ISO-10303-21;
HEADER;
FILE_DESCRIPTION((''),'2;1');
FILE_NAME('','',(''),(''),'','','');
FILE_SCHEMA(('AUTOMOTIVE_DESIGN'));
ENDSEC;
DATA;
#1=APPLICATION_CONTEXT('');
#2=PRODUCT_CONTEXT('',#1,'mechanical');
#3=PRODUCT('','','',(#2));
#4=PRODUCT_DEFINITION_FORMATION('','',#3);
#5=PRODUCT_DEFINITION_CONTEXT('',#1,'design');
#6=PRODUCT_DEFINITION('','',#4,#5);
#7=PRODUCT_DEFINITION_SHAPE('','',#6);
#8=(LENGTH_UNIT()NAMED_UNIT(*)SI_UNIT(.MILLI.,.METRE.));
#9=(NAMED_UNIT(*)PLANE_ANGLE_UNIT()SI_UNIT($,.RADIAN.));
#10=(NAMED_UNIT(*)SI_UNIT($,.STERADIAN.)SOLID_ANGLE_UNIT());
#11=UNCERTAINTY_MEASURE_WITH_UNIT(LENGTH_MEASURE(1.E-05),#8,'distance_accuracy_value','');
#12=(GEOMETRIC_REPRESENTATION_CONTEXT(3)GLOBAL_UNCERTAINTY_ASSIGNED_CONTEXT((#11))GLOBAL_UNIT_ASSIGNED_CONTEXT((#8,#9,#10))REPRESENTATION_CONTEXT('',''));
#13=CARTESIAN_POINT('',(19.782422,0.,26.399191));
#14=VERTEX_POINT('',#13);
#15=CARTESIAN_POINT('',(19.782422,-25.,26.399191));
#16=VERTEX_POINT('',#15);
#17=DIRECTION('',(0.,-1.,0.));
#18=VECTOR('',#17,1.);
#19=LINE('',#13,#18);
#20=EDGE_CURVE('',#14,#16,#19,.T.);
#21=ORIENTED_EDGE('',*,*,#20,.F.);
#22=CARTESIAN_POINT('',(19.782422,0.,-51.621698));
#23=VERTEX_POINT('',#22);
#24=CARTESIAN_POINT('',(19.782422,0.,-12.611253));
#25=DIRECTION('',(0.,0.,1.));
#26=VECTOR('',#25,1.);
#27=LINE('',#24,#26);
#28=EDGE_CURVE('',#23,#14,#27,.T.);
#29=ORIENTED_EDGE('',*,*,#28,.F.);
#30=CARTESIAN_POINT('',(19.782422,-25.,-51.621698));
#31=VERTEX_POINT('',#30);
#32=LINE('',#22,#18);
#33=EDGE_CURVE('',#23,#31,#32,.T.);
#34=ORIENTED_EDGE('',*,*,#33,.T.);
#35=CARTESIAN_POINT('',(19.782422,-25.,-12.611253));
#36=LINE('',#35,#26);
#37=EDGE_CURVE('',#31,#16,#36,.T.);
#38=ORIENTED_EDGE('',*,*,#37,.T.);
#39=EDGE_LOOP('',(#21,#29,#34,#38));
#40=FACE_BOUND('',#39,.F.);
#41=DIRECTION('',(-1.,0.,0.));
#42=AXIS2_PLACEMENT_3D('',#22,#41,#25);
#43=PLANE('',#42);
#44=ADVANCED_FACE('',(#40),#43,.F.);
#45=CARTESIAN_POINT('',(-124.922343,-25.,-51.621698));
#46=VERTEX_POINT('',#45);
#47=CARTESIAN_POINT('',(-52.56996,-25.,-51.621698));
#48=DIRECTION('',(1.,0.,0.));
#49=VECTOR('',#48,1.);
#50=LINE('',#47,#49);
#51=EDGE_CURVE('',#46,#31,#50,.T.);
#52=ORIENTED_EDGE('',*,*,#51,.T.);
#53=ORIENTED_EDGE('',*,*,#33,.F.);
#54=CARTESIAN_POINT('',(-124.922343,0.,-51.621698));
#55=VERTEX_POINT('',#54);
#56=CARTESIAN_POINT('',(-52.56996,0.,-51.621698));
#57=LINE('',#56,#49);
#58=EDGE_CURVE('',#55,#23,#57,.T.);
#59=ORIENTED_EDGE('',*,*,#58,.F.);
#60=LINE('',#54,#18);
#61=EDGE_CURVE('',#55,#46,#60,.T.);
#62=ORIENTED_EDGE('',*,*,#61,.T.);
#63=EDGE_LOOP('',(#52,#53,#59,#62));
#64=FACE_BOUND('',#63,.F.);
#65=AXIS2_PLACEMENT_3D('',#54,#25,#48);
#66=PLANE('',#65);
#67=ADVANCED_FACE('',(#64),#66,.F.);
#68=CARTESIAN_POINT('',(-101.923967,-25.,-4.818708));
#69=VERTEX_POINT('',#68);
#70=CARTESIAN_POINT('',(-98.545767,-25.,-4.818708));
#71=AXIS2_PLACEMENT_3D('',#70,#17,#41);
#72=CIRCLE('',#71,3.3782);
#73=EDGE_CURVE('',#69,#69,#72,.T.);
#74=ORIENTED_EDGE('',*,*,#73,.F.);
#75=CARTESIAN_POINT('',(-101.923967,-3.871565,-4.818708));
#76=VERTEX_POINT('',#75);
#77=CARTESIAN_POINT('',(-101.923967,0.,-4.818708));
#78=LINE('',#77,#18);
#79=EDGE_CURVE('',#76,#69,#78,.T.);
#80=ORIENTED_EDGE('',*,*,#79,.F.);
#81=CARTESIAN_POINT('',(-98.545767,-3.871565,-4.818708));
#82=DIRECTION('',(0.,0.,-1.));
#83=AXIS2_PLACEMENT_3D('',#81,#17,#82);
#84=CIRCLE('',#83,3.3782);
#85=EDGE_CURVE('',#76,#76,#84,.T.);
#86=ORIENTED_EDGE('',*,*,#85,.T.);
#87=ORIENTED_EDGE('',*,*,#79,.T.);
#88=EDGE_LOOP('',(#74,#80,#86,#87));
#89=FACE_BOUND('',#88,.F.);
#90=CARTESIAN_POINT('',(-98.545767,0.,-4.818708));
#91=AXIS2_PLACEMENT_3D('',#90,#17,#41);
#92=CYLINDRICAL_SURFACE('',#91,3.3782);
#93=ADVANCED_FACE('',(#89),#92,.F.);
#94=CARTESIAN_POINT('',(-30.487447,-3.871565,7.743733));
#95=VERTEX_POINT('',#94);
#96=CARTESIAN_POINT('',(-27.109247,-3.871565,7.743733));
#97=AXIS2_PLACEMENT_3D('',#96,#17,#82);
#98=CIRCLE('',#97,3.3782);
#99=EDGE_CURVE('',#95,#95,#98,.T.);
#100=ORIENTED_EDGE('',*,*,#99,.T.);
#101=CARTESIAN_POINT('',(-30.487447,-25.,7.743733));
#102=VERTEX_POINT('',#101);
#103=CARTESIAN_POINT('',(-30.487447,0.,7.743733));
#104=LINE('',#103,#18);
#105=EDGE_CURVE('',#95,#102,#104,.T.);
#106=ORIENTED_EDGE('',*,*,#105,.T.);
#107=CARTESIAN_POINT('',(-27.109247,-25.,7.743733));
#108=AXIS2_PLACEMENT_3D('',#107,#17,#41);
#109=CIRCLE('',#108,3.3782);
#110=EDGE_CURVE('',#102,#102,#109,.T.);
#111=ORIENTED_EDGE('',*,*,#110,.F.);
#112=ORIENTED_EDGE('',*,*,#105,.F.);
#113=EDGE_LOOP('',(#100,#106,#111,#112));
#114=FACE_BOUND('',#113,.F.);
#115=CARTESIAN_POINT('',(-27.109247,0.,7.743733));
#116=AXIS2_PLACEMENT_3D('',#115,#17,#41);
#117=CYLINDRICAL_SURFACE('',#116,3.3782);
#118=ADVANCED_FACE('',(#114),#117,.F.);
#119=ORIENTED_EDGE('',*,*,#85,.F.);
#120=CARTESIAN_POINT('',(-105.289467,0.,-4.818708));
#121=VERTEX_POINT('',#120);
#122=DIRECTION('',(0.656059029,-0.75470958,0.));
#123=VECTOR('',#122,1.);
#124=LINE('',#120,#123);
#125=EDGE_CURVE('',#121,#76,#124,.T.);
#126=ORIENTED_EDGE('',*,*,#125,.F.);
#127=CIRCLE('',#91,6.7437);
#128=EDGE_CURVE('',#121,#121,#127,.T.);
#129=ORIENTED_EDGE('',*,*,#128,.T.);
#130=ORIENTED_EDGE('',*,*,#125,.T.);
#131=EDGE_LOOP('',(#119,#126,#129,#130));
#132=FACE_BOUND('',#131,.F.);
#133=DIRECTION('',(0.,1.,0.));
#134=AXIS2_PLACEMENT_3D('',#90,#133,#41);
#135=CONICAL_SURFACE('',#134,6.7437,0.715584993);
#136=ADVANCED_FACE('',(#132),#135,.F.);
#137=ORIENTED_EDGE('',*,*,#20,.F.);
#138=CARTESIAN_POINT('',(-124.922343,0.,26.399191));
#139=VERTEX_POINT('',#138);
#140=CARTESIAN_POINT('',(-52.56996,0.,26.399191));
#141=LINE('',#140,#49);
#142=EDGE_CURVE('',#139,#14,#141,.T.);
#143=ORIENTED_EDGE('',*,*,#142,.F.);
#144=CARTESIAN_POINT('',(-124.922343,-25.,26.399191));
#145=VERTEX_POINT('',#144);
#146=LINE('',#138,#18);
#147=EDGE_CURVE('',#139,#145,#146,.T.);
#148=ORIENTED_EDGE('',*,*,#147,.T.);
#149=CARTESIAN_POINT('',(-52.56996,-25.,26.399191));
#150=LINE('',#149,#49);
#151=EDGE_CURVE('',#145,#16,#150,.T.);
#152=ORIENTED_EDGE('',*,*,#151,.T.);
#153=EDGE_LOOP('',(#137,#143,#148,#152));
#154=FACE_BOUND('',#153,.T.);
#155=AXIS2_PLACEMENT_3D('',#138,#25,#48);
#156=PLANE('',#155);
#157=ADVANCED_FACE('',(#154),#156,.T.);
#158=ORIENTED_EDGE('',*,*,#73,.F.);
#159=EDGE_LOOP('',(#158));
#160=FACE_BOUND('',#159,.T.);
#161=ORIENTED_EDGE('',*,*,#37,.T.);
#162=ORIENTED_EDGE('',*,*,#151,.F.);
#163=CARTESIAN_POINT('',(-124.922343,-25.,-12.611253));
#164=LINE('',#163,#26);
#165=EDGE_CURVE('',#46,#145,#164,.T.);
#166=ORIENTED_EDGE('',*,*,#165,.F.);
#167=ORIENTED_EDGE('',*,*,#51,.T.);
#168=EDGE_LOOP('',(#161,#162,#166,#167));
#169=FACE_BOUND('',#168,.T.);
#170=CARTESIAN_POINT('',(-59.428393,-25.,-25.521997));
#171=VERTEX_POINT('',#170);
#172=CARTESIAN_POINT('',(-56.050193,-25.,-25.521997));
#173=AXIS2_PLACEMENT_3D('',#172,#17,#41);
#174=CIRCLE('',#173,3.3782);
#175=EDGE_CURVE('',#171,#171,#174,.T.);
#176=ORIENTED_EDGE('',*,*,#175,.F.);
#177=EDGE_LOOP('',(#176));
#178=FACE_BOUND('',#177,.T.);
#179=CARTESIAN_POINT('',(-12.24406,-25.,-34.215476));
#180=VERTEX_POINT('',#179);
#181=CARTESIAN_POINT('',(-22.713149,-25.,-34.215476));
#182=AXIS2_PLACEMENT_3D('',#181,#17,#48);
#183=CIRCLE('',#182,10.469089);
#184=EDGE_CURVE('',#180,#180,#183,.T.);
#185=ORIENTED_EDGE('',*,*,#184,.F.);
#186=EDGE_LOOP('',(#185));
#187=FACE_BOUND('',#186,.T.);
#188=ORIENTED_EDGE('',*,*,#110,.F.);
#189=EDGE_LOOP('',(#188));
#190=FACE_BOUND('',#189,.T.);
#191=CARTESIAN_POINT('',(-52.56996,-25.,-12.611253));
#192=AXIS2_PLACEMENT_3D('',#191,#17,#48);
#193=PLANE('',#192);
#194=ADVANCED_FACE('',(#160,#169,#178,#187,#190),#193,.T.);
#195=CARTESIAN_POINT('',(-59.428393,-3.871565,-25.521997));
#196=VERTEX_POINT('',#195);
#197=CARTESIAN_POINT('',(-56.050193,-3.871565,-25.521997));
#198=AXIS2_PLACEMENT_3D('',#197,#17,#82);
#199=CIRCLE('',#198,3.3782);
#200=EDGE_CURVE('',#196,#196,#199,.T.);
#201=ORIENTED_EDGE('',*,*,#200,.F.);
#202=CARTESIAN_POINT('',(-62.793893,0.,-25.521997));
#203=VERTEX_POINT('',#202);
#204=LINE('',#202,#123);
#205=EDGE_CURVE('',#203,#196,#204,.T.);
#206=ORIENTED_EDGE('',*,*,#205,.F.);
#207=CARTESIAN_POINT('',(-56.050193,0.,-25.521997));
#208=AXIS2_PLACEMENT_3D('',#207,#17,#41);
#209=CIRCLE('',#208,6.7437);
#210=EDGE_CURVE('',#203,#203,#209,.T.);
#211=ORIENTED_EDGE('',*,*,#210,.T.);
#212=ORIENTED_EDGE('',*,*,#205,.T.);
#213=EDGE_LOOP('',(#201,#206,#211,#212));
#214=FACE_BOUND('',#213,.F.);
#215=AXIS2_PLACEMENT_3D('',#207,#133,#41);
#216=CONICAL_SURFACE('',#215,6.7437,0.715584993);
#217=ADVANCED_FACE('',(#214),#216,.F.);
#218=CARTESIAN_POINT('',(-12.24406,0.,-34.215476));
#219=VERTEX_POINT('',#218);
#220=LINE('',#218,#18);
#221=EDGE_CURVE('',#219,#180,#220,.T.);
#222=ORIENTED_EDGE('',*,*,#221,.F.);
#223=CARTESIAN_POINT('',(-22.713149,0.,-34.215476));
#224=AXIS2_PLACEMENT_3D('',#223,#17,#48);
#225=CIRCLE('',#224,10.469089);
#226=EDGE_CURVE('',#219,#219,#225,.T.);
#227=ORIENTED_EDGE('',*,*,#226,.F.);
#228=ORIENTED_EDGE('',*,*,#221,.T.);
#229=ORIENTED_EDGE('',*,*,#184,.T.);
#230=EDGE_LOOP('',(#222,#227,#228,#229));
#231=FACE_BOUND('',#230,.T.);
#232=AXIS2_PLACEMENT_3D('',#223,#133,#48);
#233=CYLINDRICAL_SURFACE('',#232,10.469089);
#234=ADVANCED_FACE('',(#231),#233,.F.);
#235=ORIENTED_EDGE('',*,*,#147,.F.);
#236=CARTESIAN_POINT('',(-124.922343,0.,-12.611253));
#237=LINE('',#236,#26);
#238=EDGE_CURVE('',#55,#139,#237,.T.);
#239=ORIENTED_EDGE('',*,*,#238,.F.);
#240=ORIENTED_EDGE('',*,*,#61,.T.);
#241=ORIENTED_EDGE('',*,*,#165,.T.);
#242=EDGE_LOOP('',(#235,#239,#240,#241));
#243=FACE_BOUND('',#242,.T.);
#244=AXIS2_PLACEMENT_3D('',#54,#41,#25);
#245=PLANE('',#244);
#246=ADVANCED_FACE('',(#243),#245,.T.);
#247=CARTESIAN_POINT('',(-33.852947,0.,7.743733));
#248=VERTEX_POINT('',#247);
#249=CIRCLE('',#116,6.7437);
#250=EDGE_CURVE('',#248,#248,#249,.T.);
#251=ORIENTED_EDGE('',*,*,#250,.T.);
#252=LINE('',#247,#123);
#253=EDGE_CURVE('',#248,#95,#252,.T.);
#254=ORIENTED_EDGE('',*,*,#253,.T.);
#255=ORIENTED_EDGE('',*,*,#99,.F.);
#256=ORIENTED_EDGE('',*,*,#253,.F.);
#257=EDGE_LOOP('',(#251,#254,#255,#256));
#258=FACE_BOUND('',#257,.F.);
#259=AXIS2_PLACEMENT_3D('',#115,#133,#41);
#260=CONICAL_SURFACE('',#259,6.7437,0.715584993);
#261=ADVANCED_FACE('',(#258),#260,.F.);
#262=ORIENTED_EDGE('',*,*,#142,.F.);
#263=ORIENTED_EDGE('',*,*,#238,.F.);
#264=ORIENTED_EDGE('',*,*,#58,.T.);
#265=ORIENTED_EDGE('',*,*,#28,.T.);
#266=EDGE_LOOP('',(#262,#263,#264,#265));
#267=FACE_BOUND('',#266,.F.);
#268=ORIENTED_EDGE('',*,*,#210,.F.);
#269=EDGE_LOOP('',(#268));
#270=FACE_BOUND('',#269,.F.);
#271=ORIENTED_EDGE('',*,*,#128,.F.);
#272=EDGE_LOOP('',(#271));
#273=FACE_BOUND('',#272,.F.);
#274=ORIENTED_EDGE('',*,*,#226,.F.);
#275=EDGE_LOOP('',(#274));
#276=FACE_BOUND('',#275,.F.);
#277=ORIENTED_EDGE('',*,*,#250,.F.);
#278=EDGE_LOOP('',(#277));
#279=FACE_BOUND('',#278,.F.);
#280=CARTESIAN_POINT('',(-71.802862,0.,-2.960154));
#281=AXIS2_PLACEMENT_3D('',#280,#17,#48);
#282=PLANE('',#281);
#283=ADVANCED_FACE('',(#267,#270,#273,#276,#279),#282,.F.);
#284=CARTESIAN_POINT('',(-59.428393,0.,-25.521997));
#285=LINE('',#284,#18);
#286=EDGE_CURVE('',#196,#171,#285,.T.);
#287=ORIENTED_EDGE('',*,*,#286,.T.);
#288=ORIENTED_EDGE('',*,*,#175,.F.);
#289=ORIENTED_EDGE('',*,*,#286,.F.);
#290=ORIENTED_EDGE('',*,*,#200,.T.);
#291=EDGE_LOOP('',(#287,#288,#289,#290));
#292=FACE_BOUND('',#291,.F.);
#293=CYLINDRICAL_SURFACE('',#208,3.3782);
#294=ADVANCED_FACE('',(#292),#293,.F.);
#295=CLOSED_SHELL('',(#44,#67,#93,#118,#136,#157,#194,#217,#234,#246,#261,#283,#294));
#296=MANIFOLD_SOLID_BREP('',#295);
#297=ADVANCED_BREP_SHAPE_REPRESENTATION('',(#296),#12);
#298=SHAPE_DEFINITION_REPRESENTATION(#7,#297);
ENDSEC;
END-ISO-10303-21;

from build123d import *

# Parameters (mm, degrees)
F0_W           = 144.7047647089
F0_H           = 78.020889312
F0_R           = 10.4690892811
F0_R_2         = 14.6326120323
F1_DEPTH       = 25
F2_D           = 6.7564
F2_CSINK_D     = 13.4874
F2_CSINK_ANGLE = 82
F3_DEPTH       = 25


with BuildPart() as f1:
    # F0 (on Front) → F1 (new body)
    with BuildSketch(Plane.XZ):
        with Locations((-52.569960244, -12.6112531871)):
            Rectangle(F0_W, F0_H)
        with Locations((-22.7131489664, -34.2154763639)):
            Circle(F0_R, mode=Mode.SUBTRACT)
        with Locations((-71.8028619885, -2.9601538554)):
            Circle(F0_R_2, mode=Mode.SUBTRACT)
    extrude(amount=F1_DEPTH)

    # F2 (through all)
    with Locations(Plane(origin=(0, 0, 0), x_dir=(1, 0, 0), z_dir=(0, 1, 0))):
        with Locations((-98.5457673669, 4.8187081702), (-56.0501925647, 25.5219973624), (-27.109246701, -7.7437334694)):
            CounterSinkHole(F2_D / 2, F2_CSINK_D / 2, counter_sink_angle=F2_CSINK_ANGLE)

    # F0 (on Front) → F3 (join)
    with BuildSketch(Plane.XZ):
        with Locations((-71.8028619885, -2.9601538554)):
            Circle(F0_R_2)
    extrude(amount=F3_DEPTH)


solid = f1.part
